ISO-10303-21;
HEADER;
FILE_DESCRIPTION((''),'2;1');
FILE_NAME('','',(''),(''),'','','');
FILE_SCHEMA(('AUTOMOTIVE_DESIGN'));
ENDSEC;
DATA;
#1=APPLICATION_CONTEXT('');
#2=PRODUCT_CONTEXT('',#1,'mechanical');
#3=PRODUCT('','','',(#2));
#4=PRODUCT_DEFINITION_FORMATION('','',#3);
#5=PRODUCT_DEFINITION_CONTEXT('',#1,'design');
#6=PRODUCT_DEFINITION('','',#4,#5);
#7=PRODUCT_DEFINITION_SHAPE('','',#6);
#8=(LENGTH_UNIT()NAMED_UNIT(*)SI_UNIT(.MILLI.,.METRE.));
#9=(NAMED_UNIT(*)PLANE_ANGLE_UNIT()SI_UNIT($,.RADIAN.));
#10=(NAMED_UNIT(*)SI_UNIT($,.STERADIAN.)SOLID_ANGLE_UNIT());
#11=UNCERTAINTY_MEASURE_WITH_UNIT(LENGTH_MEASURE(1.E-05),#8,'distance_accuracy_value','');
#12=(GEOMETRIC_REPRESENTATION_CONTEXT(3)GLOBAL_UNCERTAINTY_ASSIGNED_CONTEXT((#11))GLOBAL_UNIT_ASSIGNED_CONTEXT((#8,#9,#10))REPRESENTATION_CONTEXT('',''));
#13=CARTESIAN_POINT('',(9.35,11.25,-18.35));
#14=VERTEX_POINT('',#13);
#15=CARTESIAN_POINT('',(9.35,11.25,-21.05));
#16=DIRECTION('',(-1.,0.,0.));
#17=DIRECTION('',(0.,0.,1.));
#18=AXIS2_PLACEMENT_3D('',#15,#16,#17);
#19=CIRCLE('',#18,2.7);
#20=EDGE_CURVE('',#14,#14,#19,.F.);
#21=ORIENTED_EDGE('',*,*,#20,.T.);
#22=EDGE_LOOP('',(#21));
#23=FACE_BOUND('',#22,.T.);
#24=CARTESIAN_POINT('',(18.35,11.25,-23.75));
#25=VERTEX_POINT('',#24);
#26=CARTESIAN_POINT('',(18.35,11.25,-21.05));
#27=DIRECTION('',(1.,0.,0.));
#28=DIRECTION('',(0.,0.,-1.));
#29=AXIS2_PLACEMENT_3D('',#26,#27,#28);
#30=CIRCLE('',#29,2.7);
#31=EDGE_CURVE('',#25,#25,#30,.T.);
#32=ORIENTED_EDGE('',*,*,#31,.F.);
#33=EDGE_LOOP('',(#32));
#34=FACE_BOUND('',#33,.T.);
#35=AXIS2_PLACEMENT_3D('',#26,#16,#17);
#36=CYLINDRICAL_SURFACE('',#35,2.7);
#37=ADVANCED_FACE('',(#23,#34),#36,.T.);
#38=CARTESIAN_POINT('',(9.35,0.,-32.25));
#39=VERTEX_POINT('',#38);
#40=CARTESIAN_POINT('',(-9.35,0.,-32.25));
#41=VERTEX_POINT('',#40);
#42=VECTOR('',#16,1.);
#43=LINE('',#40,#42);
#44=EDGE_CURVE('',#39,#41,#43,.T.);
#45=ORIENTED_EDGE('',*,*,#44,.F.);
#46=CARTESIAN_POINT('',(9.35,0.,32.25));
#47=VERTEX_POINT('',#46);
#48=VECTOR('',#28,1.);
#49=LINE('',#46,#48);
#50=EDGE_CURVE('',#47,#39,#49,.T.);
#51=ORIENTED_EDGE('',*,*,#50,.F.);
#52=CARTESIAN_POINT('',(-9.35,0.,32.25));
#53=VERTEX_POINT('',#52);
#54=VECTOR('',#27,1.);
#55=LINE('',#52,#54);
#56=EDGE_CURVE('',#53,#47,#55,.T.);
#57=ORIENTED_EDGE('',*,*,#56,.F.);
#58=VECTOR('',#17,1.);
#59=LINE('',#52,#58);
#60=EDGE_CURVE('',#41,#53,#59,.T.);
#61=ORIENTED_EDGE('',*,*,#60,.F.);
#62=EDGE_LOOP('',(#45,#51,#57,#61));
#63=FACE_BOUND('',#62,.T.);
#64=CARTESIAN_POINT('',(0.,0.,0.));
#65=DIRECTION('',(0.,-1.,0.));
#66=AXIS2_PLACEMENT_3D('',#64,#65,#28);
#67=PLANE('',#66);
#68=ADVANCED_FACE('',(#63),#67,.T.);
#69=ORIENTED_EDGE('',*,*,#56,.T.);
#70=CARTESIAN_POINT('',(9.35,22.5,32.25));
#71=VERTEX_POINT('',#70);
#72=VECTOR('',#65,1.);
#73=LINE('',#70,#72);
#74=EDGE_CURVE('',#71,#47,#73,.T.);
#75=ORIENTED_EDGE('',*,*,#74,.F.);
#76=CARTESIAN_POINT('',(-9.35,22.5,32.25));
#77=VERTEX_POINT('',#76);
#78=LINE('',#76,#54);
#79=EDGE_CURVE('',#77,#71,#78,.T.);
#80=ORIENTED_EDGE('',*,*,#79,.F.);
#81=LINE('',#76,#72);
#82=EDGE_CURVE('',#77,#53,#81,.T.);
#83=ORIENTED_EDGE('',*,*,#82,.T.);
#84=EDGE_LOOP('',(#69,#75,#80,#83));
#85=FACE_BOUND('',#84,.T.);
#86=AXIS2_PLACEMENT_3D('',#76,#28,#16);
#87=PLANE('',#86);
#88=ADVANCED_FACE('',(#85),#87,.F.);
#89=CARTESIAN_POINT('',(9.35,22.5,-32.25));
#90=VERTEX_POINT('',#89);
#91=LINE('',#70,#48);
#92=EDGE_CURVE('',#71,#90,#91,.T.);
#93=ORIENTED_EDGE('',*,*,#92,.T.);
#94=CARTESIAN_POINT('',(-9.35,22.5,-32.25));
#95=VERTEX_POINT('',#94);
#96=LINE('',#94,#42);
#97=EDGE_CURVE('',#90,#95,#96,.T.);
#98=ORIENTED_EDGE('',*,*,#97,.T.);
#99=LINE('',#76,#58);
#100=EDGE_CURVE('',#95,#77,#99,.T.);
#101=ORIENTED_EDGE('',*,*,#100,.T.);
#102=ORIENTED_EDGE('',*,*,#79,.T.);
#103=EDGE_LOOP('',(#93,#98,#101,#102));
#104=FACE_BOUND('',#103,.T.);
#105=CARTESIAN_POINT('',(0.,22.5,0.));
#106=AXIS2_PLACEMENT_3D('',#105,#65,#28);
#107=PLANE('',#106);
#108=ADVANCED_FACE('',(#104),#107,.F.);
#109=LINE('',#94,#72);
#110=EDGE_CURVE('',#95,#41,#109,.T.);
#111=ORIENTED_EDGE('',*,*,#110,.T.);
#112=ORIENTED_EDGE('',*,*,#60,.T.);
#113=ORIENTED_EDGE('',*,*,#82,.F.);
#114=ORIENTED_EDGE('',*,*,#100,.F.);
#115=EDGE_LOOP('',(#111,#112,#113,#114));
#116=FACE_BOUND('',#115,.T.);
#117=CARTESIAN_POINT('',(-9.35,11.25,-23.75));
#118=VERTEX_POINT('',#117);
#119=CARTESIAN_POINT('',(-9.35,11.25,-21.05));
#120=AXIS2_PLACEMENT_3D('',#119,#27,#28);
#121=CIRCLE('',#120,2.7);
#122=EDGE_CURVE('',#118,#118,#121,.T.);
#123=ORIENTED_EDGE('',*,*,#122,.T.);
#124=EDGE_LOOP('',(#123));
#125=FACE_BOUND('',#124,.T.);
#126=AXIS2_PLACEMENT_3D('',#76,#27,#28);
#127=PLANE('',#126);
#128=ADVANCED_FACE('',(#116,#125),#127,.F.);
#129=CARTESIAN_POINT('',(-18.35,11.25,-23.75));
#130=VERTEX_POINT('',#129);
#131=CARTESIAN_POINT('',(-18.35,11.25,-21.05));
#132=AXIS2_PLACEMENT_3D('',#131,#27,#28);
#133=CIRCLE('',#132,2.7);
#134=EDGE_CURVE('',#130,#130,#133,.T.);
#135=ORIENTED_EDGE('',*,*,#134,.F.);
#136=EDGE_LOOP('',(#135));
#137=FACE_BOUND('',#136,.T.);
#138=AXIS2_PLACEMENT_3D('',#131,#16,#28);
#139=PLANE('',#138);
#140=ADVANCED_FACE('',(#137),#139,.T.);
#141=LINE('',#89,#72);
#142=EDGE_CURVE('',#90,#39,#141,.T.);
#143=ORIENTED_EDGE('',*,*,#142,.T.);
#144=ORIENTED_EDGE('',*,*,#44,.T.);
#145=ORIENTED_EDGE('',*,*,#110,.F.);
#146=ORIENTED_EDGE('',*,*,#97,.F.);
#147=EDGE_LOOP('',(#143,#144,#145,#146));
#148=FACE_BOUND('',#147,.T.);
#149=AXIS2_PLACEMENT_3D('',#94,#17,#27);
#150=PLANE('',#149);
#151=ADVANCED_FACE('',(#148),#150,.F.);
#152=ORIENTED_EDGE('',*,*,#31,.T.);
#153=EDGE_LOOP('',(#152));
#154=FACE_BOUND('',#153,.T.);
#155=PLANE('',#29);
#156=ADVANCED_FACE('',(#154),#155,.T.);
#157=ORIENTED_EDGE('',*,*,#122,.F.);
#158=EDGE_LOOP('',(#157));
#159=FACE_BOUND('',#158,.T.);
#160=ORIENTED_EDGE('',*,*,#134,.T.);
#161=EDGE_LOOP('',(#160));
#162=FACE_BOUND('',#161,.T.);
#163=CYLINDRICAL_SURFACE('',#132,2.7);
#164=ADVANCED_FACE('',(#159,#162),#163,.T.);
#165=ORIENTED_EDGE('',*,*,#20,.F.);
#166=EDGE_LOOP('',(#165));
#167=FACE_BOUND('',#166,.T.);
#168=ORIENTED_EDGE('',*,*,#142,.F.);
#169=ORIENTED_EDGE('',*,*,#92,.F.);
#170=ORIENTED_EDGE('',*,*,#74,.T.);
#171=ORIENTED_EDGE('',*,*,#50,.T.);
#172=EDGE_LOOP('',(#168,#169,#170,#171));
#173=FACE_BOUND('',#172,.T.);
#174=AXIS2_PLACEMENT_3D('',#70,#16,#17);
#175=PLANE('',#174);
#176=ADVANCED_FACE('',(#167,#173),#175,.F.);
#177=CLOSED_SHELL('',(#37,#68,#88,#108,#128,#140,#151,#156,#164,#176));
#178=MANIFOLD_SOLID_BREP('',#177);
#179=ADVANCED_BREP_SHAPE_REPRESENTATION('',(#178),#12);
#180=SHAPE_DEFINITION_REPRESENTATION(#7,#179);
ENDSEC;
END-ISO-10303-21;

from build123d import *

# Parameters (mm, degrees)
SKETCH1_W           = 18.7
SKETCH1_H           = 64.5
BOSS_EXTRUDE1_DEPTH = 22.5
SKETCH2_R           = 2.7
BOSS_EXTRUDE2_DEPTH = 9


with BuildPart() as part:
    # Sketch1 → Boss-Extrude1 (new body)
    with BuildSketch(Plane(origin=(0, 0, 0), x_dir=(1, 0, 0), z_dir=(0, 1, 0))):
        Rectangle(SKETCH1_W, SKETCH1_H)
    extrude(amount=BOSS_EXTRUDE1_DEPTH)

    # Sketch2 → Boss-Extrude2 (add)
    with BuildSketch(Plane(origin=(9.35, 0, 0), x_dir=(0, 0, -1), z_dir=(1, 0, 0))):
        with Locations((21.05, 11.25)):
            Circle(SKETCH2_R)
    boss_extrude2 = extrude(amount=BOSS_EXTRUDE2_DEPTH)

    # Mirror1: Boss-Extrude2 across plane
    add(boss_extrude2.mirror(Plane(origin=(0, 0, 0), x_dir=(0, 0, 1), z_dir=(1, 0, 0))))


solid = part.part
